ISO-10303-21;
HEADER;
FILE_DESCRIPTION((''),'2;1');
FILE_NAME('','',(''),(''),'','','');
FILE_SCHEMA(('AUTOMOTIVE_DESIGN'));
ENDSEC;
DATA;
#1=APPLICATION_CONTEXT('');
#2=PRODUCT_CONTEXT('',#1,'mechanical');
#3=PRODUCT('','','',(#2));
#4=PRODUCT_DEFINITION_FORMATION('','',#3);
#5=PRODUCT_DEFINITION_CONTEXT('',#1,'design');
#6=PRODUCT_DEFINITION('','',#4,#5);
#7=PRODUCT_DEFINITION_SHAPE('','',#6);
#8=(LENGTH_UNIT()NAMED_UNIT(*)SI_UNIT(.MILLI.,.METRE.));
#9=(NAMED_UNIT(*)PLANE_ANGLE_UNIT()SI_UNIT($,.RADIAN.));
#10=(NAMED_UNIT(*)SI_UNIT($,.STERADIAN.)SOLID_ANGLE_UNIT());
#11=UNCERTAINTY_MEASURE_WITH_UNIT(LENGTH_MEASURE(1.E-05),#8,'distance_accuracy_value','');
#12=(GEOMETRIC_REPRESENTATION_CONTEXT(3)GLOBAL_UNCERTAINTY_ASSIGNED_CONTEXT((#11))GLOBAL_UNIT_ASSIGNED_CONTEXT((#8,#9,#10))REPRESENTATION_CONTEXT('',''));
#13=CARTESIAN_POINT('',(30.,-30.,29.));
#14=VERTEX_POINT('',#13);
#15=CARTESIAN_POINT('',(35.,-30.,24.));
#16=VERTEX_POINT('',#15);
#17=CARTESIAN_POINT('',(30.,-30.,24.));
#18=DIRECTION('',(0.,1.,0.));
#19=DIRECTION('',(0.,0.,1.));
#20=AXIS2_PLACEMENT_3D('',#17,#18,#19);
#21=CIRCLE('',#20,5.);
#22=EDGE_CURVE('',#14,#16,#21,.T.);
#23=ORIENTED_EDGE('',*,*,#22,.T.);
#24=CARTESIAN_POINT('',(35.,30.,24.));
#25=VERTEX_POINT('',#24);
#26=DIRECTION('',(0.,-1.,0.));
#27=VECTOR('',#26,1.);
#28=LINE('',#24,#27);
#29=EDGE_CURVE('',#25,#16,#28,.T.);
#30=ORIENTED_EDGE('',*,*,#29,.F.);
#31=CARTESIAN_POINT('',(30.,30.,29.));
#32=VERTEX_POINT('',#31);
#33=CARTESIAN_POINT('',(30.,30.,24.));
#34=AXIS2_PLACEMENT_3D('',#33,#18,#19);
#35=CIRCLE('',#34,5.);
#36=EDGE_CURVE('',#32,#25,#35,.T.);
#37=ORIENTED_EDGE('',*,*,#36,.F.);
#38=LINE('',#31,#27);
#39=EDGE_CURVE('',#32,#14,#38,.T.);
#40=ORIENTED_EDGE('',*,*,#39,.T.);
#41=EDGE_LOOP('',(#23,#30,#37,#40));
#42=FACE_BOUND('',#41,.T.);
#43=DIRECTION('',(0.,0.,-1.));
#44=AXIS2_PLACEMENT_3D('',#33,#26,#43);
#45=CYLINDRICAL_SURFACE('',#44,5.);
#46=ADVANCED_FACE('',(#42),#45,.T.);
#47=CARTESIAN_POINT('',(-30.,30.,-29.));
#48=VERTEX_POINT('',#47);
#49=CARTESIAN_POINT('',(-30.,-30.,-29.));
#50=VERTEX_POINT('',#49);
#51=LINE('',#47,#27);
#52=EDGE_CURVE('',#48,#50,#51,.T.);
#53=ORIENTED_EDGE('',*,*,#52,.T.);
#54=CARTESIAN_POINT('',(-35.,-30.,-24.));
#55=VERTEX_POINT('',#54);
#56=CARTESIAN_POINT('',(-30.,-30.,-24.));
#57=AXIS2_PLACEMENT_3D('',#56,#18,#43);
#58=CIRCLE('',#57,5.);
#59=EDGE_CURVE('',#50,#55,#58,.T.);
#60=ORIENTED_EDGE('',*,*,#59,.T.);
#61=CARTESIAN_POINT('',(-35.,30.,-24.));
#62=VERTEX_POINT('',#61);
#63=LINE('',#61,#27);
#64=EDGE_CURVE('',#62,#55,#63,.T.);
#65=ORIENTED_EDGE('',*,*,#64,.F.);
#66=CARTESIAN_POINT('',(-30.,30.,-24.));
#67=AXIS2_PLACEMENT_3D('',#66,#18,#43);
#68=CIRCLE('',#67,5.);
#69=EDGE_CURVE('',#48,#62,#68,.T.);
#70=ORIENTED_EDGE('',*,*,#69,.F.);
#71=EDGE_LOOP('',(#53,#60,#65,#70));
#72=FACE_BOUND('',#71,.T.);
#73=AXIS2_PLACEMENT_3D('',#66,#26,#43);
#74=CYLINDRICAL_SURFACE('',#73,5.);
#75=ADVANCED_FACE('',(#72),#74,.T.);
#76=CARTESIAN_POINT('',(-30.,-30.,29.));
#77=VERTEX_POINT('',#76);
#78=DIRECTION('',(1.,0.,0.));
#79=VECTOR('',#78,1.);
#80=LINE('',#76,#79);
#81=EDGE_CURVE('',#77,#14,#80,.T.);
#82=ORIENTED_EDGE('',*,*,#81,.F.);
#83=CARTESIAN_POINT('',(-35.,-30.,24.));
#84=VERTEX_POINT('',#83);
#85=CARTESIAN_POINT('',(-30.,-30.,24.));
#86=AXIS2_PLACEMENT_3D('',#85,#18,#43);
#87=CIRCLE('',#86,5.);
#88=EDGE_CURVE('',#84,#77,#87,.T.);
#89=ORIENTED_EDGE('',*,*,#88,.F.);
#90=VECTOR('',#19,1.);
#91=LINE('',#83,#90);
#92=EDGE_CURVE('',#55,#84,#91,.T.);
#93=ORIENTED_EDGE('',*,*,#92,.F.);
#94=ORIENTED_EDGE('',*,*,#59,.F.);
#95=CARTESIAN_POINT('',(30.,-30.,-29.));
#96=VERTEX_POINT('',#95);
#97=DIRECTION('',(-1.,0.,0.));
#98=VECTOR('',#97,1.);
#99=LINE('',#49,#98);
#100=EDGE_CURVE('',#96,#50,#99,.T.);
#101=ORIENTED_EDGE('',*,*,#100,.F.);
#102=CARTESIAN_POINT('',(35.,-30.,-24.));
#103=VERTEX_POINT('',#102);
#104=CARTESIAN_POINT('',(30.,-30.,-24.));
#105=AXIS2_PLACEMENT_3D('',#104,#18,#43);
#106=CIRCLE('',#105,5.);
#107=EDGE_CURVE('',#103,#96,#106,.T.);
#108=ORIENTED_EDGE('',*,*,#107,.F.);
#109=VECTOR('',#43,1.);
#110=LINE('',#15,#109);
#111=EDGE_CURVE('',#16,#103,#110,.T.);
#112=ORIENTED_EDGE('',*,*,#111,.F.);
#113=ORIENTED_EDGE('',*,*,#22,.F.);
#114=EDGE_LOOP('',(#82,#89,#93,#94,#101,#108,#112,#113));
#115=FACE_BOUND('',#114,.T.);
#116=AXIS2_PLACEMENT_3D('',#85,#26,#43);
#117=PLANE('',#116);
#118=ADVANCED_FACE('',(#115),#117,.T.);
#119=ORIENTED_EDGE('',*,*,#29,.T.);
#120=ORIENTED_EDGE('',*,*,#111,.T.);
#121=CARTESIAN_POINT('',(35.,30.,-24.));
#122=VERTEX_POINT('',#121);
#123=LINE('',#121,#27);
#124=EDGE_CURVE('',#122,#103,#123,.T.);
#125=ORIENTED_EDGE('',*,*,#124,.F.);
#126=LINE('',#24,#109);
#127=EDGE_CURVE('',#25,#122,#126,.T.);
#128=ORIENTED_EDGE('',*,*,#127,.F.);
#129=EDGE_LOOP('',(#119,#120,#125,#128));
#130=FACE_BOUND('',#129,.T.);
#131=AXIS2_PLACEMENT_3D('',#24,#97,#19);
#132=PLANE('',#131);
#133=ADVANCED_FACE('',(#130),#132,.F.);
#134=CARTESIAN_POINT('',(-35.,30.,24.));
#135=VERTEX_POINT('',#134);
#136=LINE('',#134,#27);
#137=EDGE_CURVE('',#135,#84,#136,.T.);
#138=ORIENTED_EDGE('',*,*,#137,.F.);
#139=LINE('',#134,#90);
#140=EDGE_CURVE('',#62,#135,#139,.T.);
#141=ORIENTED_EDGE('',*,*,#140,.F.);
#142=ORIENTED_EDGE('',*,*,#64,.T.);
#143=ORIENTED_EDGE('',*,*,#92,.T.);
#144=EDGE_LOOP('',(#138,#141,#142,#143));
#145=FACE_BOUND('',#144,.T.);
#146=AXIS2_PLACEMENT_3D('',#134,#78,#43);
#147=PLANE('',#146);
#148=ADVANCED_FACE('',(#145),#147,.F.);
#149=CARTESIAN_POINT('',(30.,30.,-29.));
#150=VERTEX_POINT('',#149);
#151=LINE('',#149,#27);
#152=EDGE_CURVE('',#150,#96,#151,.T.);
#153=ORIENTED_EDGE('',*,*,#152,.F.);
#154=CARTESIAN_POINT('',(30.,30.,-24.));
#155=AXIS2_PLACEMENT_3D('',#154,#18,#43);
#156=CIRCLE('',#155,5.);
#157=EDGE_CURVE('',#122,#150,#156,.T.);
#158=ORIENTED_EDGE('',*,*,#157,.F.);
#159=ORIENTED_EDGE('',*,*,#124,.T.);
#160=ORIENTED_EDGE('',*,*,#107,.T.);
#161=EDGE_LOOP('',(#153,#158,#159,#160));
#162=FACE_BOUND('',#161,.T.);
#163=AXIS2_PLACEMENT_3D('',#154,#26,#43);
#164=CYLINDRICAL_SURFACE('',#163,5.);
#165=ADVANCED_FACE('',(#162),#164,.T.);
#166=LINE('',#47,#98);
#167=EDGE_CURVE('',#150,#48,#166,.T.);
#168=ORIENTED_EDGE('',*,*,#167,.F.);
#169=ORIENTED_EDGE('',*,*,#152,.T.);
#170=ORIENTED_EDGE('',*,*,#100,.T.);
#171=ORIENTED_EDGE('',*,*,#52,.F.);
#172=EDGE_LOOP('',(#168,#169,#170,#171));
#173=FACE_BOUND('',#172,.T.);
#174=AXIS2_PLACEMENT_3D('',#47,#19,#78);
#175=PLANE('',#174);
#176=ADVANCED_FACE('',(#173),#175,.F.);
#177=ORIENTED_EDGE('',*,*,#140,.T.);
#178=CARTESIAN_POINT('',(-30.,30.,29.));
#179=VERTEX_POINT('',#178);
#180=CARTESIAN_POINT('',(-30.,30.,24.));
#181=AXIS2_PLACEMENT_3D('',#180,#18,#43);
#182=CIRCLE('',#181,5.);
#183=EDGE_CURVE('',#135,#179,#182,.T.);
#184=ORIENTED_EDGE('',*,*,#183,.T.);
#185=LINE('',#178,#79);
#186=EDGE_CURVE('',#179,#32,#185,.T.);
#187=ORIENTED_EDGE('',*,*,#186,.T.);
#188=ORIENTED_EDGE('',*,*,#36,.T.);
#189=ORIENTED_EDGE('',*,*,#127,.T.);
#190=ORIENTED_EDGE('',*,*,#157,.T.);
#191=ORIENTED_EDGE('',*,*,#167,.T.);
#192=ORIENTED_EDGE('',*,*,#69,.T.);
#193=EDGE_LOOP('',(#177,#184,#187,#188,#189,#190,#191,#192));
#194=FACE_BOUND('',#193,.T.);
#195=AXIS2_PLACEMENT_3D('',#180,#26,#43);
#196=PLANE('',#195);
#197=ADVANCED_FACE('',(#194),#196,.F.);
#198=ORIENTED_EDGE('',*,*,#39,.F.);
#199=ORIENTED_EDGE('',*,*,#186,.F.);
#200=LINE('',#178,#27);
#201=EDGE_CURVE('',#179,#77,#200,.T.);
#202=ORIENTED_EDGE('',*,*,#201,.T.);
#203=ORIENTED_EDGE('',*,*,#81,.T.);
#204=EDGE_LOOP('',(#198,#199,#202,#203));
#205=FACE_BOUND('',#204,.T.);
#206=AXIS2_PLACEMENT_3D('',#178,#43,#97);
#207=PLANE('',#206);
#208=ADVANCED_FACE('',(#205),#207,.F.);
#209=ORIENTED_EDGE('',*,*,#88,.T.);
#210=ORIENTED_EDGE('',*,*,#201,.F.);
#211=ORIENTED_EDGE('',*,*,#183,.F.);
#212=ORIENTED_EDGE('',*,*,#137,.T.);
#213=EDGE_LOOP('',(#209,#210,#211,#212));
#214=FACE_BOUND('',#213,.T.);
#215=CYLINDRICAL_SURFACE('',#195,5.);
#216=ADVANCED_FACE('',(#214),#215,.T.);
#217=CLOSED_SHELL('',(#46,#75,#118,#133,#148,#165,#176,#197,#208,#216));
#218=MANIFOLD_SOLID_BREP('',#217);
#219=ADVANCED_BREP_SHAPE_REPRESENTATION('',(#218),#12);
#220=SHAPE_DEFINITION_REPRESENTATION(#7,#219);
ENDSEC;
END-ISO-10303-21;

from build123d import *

# Parameters (mm, degrees)
BOSS_EXTRUDE1_DEPTH = 30


with BuildPart() as part:
    # Sketch1 → Boss-Extrude1 (new, symmetric)
    with BuildSketch(Plane(origin=(0, 0, 0), x_dir=(1, 0, 0), z_dir=(0, 1, 0))):
        with BuildLine():
            Line((-30, -29), (30, -29))
            ThreePointArc((30, -29), (33.535533906, -27.535533906), (35, -24))
            Line((35, -24), (35, 24))
            ThreePointArc((35, 24), (33.535533906, 27.535533906), (30, 29))
            Line((30, 29), (-30, 29))
            ThreePointArc((-30, 29), (-33.535533906, 27.535533906), (-35, 24))
            Line((-35, 24), (-35, -24))
            ThreePointArc((-35, -24), (-33.535533906, -27.535533906), (-30, -29))
        make_face()
    extrude(amount=BOSS_EXTRUDE1_DEPTH, both=True)


solid = part.part
